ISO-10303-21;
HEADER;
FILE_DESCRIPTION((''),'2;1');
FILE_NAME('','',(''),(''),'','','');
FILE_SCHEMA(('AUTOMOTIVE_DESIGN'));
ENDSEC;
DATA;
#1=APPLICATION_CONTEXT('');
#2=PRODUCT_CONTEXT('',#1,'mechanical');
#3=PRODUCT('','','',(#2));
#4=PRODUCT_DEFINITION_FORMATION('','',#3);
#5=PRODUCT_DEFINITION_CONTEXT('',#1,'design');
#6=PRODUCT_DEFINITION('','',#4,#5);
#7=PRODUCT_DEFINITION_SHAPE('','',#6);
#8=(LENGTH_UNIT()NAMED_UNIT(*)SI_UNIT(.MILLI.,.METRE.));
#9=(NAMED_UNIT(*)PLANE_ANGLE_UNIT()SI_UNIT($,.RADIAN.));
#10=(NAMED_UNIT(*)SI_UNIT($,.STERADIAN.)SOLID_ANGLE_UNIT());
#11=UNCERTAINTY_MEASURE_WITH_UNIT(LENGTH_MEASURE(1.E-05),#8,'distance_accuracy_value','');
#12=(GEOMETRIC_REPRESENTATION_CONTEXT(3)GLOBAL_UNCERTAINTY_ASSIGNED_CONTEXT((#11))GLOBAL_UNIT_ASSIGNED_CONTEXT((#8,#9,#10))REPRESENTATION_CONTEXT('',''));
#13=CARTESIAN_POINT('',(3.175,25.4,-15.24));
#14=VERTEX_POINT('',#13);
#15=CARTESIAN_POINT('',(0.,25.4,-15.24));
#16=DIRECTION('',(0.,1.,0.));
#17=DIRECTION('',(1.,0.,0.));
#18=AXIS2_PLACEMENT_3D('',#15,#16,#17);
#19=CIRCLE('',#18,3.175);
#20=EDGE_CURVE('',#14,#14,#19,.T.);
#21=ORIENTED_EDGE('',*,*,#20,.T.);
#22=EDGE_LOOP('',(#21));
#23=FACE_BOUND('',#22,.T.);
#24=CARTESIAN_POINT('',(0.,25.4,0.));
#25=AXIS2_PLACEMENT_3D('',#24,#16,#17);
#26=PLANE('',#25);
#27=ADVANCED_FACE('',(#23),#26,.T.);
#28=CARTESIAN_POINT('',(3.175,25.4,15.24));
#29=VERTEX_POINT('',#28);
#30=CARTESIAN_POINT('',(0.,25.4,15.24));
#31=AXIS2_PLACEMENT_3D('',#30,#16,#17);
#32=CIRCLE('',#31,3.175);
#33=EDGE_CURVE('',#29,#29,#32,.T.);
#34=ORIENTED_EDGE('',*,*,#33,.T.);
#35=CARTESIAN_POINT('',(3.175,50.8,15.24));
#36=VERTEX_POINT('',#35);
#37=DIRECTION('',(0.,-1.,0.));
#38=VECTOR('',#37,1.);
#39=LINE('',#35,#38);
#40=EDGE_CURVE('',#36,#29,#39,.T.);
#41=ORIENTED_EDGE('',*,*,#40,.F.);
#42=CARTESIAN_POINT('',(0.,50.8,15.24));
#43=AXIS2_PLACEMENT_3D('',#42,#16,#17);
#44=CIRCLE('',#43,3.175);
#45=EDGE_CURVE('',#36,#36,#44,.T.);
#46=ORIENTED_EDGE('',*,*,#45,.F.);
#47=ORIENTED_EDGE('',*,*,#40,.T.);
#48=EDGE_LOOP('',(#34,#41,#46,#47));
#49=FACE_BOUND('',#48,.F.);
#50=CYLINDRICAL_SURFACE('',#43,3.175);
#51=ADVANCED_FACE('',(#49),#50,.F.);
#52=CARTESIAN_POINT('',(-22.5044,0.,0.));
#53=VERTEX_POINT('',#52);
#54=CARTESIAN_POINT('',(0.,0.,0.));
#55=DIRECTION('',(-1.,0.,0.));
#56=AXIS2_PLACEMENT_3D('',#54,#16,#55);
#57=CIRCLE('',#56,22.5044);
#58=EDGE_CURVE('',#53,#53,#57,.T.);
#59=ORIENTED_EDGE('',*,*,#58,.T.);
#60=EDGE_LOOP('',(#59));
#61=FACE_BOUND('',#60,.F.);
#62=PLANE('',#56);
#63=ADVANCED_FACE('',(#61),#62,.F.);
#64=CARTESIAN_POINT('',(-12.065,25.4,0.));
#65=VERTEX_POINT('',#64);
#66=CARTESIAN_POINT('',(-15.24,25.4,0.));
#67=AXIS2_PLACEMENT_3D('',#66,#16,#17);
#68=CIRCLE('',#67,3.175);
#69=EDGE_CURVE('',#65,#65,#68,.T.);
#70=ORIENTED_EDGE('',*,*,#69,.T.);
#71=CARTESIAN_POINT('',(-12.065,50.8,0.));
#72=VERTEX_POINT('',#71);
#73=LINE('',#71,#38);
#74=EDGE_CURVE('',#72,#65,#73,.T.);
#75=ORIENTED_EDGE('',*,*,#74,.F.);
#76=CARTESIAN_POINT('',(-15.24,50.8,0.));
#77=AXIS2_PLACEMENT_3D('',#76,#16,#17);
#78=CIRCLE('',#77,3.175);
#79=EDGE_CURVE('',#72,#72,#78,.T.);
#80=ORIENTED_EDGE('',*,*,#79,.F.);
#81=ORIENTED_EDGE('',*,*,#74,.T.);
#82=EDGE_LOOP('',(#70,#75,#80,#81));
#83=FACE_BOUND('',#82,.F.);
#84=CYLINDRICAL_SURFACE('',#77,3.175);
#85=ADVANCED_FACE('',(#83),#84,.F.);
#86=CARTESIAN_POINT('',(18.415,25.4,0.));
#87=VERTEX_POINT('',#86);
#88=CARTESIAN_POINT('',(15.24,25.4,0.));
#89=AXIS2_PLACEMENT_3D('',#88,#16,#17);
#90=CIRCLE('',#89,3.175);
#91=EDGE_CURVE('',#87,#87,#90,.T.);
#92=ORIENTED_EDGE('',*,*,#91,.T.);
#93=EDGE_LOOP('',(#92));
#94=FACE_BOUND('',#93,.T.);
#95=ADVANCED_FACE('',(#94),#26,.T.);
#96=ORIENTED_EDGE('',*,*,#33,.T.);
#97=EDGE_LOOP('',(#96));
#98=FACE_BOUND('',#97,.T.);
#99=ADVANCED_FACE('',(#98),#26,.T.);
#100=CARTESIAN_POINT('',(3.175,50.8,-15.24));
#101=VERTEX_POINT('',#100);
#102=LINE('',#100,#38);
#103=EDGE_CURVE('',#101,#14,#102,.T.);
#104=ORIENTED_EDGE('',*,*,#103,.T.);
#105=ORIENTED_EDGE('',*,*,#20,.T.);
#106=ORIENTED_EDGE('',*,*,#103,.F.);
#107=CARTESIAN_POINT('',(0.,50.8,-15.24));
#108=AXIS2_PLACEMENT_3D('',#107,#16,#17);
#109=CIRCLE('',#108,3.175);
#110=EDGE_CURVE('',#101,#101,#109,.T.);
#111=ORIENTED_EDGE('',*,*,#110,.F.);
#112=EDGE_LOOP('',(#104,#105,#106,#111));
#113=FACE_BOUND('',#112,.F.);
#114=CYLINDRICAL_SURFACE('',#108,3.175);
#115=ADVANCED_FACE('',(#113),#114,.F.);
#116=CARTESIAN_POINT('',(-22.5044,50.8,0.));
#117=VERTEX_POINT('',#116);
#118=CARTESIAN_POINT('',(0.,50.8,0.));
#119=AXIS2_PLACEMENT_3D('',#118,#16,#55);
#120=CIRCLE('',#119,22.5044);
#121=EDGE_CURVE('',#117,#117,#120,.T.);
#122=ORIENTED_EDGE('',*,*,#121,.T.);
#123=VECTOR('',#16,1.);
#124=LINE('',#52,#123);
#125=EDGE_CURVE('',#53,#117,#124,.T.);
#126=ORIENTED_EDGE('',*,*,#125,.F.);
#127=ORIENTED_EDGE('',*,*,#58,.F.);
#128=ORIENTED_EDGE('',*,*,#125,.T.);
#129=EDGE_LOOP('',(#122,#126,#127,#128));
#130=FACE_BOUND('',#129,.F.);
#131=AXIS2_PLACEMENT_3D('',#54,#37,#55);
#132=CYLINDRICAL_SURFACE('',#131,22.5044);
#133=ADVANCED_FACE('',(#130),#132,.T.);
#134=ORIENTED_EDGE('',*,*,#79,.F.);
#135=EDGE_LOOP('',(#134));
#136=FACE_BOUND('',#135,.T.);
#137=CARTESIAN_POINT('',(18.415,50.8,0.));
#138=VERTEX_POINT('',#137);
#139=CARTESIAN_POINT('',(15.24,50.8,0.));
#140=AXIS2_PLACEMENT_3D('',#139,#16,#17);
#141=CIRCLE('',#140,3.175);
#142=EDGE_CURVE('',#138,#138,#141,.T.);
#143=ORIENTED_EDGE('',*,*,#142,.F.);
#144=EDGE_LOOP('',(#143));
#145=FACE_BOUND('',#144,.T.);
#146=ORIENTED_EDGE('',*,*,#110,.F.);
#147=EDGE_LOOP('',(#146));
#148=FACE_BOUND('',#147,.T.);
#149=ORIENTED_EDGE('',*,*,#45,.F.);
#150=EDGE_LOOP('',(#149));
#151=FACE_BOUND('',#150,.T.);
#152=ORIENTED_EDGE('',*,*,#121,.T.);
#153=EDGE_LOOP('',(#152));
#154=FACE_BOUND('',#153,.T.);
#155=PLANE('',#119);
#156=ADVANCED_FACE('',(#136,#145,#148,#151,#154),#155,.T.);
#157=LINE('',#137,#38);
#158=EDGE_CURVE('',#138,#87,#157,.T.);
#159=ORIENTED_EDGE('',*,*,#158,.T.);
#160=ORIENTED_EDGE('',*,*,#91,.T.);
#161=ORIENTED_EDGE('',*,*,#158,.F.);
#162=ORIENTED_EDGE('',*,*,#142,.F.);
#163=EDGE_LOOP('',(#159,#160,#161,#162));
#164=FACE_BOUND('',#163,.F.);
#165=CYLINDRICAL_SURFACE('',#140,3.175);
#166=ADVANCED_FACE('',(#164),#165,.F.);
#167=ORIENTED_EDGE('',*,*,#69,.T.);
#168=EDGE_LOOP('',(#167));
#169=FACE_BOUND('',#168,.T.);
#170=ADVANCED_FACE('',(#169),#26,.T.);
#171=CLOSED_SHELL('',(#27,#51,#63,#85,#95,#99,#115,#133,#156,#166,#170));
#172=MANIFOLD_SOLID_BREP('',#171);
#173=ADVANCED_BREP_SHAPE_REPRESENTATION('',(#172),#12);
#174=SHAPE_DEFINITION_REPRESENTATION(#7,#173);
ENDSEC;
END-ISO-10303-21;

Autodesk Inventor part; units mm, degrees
ref_plane "YZ Plane" through (0, 0, 0) normal (1, 0, 0) x (0, 1, 0)
ref_plane "XZ Plane" through (0, 0, 0) normal (0, 1, 0) x (-1, 0, 0)
ref_plane "XY Plane" through (0, 0, 0) normal (0, 0, 1) x (1, 0, 0)
sketch "Sketch1" plane through (0, 0, 0) normal (0, 1, 0) x (-1, 0, 0)
  circle A0 centre (0, 0) radius 22.5044
  dimension "d0" = 45.0088
extrude "Extrusion1" add sketch "Sketch1" along normal blind 50.8
sketch "Sketch4" plane through (0, 50.8, 0) normal (0, 1, 0) x (1, 0, 0)
  circle A0 centre (15.24, 0) radius 3.175
  circle A1 centre (0, 15.24) radius 3.175
  circle A2 centre (-15.24, 0) radius 3.175
  circle A3 centre (0, -15.24) radius 3.175
  point P0 (0, 0)
  dimension "d6" = 6.35
  dimension "d7" = 0
  dimension "d8" = 15.24
  dimension "d11" = 360
extrude "Extrusion3" cut sketch "Sketch4" against normal blind 25.4
properties part number "FrontPlatePostNoKey"
